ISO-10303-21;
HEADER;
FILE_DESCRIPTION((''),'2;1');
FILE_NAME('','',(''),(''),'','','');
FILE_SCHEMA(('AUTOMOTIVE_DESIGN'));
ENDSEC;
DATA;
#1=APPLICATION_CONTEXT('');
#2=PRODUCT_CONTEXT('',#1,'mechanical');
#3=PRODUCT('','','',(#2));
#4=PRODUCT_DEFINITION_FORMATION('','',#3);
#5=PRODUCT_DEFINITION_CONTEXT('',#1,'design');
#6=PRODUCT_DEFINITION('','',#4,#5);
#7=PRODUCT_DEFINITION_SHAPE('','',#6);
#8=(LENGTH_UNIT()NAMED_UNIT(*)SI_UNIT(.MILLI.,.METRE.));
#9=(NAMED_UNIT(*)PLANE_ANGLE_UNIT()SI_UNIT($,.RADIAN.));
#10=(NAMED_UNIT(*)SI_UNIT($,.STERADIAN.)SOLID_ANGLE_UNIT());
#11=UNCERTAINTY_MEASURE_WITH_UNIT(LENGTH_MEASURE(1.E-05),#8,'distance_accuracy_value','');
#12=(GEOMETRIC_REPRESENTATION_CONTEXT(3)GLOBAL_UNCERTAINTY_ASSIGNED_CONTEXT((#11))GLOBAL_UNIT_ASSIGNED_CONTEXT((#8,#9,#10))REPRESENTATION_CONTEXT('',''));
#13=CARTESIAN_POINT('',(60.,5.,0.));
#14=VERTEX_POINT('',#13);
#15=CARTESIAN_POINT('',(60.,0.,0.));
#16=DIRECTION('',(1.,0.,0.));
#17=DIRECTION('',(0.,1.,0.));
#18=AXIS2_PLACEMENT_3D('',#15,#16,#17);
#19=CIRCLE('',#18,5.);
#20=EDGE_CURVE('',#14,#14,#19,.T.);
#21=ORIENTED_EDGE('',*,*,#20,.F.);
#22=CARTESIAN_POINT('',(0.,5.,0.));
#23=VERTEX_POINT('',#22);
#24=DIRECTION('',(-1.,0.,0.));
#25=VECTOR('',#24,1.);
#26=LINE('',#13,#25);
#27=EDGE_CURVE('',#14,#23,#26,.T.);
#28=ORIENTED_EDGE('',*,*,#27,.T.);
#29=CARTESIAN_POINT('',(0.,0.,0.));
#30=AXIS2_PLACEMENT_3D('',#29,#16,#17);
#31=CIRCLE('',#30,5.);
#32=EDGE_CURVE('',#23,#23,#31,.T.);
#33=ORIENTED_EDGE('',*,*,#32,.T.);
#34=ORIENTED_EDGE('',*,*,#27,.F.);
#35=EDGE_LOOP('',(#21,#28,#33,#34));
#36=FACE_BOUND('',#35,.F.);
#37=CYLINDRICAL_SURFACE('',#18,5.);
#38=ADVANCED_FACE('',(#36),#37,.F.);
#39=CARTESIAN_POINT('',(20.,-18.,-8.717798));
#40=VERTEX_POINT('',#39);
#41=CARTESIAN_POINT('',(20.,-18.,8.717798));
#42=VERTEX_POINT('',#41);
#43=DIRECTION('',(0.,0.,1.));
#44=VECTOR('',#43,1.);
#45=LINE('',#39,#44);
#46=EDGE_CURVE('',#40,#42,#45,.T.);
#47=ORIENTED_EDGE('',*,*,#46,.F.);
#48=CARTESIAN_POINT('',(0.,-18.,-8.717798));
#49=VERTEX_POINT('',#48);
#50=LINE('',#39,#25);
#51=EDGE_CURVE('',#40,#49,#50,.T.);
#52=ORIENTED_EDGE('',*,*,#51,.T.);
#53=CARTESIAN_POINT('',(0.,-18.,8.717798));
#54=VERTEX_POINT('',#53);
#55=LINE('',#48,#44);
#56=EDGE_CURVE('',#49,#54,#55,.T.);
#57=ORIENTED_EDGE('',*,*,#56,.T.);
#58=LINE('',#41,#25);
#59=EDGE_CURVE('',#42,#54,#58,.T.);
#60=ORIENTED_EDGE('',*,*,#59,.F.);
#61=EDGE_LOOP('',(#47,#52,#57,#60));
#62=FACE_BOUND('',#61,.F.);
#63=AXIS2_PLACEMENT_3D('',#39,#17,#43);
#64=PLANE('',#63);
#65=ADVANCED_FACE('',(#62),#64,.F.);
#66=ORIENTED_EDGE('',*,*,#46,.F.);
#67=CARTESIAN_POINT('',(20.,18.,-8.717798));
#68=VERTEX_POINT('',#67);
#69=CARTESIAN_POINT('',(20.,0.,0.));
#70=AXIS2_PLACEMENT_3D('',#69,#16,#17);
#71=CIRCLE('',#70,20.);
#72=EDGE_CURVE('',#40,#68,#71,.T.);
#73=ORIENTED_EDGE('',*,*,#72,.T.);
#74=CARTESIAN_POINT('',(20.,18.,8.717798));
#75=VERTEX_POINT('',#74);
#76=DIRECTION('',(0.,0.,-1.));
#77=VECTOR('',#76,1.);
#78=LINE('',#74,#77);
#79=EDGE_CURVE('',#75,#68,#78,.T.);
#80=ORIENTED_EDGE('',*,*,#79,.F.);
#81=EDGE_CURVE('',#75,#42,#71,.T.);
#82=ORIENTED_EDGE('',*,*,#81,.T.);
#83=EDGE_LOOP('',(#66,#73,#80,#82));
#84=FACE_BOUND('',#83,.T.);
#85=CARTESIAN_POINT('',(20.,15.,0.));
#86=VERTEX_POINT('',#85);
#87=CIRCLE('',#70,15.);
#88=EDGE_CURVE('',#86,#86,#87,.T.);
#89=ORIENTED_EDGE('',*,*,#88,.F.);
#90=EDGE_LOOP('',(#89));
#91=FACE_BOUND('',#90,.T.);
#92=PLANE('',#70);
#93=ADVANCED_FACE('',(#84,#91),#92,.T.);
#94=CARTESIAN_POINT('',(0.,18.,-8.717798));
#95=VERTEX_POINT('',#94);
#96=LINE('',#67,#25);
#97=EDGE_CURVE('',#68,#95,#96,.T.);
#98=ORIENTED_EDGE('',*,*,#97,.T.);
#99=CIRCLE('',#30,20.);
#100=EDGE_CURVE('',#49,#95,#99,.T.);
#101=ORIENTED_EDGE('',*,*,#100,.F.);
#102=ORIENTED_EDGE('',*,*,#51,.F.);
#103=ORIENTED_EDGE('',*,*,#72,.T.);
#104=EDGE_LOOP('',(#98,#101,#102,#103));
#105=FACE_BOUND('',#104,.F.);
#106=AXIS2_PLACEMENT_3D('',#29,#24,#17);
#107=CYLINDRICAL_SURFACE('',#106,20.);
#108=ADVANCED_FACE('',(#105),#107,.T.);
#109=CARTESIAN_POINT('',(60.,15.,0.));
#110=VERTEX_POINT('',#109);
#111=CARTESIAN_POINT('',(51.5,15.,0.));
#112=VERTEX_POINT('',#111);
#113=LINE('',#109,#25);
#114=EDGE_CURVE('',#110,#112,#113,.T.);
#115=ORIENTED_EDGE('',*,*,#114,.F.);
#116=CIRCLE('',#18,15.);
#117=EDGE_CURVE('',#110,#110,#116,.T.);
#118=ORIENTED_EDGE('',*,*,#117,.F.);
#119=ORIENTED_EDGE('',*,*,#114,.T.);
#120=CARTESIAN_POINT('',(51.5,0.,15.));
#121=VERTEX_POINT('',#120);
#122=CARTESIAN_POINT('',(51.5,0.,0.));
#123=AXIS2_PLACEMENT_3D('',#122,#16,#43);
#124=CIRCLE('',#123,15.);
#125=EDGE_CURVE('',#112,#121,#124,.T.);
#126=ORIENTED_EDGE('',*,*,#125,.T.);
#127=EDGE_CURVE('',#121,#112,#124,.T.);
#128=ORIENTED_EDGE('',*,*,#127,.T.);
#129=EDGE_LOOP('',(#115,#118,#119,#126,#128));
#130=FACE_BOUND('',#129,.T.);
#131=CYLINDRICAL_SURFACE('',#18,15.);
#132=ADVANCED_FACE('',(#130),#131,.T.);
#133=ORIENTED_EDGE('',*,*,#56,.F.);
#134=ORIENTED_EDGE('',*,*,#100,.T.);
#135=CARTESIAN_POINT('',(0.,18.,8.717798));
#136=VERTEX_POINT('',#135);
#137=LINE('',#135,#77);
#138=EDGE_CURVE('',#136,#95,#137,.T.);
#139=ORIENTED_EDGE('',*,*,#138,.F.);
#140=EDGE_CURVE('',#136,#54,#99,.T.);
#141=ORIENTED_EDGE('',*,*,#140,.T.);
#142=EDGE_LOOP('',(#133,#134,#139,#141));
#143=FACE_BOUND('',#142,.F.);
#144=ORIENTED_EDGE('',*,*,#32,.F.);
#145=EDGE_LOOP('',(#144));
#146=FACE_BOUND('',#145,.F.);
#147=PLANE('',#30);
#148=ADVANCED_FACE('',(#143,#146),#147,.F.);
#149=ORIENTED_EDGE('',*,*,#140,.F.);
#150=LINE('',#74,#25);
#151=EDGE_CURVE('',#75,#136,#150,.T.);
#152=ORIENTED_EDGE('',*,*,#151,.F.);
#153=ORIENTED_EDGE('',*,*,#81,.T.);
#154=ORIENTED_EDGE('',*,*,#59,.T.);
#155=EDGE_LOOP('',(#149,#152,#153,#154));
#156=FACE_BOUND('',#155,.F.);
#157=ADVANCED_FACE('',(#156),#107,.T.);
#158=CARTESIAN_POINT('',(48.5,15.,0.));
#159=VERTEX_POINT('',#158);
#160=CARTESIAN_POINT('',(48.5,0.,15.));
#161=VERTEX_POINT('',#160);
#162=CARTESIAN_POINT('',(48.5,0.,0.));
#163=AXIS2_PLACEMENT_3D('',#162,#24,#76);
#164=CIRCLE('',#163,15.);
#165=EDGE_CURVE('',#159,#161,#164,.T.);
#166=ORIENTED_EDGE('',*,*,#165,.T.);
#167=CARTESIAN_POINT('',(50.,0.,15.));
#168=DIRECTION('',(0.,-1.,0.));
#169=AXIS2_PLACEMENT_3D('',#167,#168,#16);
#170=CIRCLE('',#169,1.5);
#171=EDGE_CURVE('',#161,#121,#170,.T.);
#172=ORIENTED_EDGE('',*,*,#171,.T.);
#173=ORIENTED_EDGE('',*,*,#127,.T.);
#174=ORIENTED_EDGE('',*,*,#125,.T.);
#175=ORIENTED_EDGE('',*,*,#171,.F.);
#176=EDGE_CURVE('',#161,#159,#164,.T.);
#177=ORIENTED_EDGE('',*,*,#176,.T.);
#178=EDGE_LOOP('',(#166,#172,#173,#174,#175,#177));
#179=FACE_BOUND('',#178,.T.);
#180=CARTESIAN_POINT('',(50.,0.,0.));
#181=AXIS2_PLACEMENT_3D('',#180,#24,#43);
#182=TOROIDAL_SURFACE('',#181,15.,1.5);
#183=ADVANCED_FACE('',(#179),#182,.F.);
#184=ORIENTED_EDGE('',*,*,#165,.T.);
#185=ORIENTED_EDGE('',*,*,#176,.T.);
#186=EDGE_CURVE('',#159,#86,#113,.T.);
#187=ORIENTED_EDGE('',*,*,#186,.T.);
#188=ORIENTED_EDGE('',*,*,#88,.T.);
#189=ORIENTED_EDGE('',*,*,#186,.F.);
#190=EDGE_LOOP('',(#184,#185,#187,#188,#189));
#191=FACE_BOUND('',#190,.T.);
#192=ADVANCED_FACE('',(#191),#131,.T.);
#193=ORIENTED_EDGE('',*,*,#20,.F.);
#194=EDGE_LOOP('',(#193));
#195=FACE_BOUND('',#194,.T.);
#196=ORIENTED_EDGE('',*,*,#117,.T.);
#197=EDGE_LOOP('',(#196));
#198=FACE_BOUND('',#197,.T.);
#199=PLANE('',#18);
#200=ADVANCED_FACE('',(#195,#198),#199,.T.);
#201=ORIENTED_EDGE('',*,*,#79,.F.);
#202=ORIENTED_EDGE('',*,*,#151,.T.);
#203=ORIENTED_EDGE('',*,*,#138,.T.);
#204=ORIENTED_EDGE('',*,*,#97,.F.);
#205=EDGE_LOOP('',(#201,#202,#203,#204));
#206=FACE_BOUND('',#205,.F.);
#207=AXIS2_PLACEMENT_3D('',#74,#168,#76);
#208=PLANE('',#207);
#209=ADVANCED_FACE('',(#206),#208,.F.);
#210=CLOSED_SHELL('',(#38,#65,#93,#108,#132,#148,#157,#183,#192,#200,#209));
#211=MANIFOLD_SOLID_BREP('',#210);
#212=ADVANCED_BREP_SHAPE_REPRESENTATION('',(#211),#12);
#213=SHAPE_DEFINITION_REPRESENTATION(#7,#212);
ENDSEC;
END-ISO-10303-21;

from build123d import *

# Parameters (mm, degrees)
F0_R     = 20
F1_DEPTH = 60
F2_R     = 20
F2_R_2   = 15
F3_DEPTH = 40
F5_DEPTH = 20
F6_R     = 1.5
F8_R     = 5
F9_DEPTH = 60


with BuildPart() as f1:
    # F0 (on Right) → F1 (new body)
    with BuildSketch(Plane.YZ):
        Circle(F0_R)
    extrude(amount=F1_DEPTH)

    # F2 (on face) → F3 (cut)
    with BuildSketch(Plane.YZ.offset(60)):
        Circle(F2_R)
        Circle(F2_R_2, mode=Mode.SUBTRACT)
    extrude(amount=-F3_DEPTH, mode=Mode.SUBTRACT)

    # F4 (on face) → F5 (cut)
    with BuildSketch(Plane.YZ.offset(20)):
        with BuildLine():
            Line((-18, -8.717798), (-18, 8.717798))
            ThreePointArc((-18, 8.717798), (-20, 0), (-18, -8.717798))
        make_face()
        with BuildLine():
            ThreePointArc((18, -8.717798), (20, 0), (18, 8.717798))
            Line((18, 8.717798), (18, -8.717798))
        make_face()
    extrude(amount=-F5_DEPTH, mode=Mode.SUBTRACT)

    # F6 (on Front) → F7 (revolve, cut)
    with BuildSketch(Plane.XZ):
        with Locations((50, 15)):
            Circle(F6_R)
    revolve(axis=Axis((60, 0, 0), (1, 0, 0)), mode=Mode.SUBTRACT)

    # F8 (on face) → F9 (cut)
    with BuildSketch(Plane.YZ.offset(60)):
        Circle(F8_R)
    extrude(amount=-F9_DEPTH, mode=Mode.SUBTRACT)


solid = f1.part
